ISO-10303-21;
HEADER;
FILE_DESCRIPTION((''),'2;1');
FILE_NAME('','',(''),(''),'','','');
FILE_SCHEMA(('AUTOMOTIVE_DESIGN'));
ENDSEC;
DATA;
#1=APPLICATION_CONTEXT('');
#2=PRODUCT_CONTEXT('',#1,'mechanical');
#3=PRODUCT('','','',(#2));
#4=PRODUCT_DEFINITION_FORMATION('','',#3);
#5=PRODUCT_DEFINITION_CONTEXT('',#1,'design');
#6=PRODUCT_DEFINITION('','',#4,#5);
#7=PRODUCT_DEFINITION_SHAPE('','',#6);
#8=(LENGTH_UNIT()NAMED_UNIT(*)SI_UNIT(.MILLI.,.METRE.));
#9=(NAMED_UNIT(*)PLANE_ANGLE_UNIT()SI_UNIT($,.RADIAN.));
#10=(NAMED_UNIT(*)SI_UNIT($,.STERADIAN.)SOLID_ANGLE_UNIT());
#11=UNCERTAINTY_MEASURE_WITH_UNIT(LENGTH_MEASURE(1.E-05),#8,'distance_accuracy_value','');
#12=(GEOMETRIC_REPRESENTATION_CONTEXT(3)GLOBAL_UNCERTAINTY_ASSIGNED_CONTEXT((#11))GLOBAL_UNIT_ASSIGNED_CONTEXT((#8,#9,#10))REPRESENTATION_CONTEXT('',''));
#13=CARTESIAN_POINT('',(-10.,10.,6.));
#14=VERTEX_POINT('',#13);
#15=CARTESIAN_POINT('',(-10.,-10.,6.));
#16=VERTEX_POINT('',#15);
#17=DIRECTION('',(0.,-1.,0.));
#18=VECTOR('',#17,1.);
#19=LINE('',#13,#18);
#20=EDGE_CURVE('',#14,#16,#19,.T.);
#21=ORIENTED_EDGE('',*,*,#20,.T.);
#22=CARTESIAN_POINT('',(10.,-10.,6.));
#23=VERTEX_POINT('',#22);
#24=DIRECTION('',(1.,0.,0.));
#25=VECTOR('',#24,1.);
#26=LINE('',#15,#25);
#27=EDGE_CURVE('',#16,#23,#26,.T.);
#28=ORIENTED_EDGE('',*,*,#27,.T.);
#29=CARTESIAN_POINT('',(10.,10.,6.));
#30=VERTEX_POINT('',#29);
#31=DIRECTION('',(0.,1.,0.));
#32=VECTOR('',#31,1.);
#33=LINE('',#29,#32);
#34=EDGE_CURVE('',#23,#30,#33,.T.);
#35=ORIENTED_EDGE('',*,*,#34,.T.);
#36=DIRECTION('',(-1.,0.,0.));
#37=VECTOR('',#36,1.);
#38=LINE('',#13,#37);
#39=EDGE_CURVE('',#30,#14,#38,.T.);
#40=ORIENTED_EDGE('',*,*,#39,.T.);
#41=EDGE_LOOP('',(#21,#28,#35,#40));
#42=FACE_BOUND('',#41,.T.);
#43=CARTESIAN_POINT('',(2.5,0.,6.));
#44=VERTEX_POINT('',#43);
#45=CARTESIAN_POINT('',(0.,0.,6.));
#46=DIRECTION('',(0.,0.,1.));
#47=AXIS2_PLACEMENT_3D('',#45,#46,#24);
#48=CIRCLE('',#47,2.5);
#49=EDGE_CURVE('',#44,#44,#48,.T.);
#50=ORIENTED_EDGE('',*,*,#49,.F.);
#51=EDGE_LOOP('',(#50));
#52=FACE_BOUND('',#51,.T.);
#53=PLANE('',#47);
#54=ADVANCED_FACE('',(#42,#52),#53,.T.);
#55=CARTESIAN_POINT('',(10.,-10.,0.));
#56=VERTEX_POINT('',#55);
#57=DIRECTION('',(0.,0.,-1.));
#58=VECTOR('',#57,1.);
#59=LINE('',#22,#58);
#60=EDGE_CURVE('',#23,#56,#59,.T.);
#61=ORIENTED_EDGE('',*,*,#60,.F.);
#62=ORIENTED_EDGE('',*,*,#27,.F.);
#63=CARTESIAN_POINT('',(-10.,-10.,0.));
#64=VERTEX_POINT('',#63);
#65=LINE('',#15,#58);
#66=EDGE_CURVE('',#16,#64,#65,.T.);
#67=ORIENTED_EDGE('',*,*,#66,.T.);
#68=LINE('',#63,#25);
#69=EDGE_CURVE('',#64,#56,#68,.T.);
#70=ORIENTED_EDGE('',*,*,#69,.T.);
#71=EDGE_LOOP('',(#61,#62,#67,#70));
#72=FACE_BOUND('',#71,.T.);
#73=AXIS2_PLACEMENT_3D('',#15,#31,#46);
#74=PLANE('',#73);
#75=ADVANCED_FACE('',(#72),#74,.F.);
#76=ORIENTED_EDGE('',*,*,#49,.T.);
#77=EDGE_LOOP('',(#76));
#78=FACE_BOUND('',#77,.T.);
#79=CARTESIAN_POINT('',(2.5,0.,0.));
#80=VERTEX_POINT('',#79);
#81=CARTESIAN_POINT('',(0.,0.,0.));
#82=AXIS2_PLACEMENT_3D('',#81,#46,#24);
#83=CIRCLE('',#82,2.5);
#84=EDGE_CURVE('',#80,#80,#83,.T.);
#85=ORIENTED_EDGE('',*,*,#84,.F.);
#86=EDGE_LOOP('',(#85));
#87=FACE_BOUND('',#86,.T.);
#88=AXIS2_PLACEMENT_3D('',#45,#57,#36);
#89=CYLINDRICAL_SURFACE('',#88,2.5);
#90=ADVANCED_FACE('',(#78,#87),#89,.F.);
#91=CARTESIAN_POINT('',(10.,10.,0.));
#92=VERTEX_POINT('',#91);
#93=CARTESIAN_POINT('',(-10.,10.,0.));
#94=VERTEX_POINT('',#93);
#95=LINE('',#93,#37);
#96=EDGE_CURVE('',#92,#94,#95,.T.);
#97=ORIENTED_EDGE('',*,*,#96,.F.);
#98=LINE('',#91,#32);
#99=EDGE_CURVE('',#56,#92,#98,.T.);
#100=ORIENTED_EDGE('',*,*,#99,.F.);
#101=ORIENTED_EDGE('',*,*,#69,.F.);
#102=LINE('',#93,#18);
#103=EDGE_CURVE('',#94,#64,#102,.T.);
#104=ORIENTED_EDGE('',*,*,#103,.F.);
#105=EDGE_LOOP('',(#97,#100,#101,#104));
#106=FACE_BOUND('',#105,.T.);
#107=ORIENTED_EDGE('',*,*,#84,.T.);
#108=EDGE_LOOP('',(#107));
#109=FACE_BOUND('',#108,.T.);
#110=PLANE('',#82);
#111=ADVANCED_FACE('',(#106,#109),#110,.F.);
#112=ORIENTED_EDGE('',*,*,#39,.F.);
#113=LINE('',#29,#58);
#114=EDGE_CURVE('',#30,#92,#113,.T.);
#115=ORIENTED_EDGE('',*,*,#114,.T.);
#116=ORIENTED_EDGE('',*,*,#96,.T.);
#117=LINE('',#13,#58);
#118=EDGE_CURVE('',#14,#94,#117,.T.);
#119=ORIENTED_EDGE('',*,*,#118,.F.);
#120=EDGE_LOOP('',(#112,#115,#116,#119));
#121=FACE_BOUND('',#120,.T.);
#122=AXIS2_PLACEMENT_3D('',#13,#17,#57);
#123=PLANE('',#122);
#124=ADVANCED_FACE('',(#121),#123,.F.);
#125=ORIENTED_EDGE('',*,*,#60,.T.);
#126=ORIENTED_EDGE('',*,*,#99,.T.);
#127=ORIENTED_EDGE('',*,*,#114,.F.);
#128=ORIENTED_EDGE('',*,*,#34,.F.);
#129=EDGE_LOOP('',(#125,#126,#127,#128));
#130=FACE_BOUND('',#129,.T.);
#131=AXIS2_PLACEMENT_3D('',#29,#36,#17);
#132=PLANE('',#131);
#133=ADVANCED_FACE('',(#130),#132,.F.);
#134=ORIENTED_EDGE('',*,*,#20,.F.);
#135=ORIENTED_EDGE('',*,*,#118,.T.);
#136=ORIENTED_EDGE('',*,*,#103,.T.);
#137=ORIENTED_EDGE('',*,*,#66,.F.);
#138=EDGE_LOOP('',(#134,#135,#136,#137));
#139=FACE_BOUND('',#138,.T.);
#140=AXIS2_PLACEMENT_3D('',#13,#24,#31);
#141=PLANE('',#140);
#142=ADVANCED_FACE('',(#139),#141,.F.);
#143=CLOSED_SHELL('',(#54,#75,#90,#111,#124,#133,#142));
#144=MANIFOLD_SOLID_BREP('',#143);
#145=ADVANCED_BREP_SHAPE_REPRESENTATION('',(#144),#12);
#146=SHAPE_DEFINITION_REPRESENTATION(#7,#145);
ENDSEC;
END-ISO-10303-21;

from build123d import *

# Parameters (mm, degrees)
ESBO_O1_W                = 20
ESBO_O1_H                = 20
ESBO_O1_R                = 2.5
RESSALTO_EXTRUS_O1_DEPTH = 6


with BuildPart() as part:
    # Esboço1 → Ressalto-extrusão1 (new body)
    with BuildSketch(Plane.XY):
        Rectangle(ESBO_O1_W, ESBO_O1_H)
        Circle(ESBO_O1_R, mode=Mode.SUBTRACT)
    extrude(amount=RESSALTO_EXTRUS_O1_DEPTH)


solid = part.part
